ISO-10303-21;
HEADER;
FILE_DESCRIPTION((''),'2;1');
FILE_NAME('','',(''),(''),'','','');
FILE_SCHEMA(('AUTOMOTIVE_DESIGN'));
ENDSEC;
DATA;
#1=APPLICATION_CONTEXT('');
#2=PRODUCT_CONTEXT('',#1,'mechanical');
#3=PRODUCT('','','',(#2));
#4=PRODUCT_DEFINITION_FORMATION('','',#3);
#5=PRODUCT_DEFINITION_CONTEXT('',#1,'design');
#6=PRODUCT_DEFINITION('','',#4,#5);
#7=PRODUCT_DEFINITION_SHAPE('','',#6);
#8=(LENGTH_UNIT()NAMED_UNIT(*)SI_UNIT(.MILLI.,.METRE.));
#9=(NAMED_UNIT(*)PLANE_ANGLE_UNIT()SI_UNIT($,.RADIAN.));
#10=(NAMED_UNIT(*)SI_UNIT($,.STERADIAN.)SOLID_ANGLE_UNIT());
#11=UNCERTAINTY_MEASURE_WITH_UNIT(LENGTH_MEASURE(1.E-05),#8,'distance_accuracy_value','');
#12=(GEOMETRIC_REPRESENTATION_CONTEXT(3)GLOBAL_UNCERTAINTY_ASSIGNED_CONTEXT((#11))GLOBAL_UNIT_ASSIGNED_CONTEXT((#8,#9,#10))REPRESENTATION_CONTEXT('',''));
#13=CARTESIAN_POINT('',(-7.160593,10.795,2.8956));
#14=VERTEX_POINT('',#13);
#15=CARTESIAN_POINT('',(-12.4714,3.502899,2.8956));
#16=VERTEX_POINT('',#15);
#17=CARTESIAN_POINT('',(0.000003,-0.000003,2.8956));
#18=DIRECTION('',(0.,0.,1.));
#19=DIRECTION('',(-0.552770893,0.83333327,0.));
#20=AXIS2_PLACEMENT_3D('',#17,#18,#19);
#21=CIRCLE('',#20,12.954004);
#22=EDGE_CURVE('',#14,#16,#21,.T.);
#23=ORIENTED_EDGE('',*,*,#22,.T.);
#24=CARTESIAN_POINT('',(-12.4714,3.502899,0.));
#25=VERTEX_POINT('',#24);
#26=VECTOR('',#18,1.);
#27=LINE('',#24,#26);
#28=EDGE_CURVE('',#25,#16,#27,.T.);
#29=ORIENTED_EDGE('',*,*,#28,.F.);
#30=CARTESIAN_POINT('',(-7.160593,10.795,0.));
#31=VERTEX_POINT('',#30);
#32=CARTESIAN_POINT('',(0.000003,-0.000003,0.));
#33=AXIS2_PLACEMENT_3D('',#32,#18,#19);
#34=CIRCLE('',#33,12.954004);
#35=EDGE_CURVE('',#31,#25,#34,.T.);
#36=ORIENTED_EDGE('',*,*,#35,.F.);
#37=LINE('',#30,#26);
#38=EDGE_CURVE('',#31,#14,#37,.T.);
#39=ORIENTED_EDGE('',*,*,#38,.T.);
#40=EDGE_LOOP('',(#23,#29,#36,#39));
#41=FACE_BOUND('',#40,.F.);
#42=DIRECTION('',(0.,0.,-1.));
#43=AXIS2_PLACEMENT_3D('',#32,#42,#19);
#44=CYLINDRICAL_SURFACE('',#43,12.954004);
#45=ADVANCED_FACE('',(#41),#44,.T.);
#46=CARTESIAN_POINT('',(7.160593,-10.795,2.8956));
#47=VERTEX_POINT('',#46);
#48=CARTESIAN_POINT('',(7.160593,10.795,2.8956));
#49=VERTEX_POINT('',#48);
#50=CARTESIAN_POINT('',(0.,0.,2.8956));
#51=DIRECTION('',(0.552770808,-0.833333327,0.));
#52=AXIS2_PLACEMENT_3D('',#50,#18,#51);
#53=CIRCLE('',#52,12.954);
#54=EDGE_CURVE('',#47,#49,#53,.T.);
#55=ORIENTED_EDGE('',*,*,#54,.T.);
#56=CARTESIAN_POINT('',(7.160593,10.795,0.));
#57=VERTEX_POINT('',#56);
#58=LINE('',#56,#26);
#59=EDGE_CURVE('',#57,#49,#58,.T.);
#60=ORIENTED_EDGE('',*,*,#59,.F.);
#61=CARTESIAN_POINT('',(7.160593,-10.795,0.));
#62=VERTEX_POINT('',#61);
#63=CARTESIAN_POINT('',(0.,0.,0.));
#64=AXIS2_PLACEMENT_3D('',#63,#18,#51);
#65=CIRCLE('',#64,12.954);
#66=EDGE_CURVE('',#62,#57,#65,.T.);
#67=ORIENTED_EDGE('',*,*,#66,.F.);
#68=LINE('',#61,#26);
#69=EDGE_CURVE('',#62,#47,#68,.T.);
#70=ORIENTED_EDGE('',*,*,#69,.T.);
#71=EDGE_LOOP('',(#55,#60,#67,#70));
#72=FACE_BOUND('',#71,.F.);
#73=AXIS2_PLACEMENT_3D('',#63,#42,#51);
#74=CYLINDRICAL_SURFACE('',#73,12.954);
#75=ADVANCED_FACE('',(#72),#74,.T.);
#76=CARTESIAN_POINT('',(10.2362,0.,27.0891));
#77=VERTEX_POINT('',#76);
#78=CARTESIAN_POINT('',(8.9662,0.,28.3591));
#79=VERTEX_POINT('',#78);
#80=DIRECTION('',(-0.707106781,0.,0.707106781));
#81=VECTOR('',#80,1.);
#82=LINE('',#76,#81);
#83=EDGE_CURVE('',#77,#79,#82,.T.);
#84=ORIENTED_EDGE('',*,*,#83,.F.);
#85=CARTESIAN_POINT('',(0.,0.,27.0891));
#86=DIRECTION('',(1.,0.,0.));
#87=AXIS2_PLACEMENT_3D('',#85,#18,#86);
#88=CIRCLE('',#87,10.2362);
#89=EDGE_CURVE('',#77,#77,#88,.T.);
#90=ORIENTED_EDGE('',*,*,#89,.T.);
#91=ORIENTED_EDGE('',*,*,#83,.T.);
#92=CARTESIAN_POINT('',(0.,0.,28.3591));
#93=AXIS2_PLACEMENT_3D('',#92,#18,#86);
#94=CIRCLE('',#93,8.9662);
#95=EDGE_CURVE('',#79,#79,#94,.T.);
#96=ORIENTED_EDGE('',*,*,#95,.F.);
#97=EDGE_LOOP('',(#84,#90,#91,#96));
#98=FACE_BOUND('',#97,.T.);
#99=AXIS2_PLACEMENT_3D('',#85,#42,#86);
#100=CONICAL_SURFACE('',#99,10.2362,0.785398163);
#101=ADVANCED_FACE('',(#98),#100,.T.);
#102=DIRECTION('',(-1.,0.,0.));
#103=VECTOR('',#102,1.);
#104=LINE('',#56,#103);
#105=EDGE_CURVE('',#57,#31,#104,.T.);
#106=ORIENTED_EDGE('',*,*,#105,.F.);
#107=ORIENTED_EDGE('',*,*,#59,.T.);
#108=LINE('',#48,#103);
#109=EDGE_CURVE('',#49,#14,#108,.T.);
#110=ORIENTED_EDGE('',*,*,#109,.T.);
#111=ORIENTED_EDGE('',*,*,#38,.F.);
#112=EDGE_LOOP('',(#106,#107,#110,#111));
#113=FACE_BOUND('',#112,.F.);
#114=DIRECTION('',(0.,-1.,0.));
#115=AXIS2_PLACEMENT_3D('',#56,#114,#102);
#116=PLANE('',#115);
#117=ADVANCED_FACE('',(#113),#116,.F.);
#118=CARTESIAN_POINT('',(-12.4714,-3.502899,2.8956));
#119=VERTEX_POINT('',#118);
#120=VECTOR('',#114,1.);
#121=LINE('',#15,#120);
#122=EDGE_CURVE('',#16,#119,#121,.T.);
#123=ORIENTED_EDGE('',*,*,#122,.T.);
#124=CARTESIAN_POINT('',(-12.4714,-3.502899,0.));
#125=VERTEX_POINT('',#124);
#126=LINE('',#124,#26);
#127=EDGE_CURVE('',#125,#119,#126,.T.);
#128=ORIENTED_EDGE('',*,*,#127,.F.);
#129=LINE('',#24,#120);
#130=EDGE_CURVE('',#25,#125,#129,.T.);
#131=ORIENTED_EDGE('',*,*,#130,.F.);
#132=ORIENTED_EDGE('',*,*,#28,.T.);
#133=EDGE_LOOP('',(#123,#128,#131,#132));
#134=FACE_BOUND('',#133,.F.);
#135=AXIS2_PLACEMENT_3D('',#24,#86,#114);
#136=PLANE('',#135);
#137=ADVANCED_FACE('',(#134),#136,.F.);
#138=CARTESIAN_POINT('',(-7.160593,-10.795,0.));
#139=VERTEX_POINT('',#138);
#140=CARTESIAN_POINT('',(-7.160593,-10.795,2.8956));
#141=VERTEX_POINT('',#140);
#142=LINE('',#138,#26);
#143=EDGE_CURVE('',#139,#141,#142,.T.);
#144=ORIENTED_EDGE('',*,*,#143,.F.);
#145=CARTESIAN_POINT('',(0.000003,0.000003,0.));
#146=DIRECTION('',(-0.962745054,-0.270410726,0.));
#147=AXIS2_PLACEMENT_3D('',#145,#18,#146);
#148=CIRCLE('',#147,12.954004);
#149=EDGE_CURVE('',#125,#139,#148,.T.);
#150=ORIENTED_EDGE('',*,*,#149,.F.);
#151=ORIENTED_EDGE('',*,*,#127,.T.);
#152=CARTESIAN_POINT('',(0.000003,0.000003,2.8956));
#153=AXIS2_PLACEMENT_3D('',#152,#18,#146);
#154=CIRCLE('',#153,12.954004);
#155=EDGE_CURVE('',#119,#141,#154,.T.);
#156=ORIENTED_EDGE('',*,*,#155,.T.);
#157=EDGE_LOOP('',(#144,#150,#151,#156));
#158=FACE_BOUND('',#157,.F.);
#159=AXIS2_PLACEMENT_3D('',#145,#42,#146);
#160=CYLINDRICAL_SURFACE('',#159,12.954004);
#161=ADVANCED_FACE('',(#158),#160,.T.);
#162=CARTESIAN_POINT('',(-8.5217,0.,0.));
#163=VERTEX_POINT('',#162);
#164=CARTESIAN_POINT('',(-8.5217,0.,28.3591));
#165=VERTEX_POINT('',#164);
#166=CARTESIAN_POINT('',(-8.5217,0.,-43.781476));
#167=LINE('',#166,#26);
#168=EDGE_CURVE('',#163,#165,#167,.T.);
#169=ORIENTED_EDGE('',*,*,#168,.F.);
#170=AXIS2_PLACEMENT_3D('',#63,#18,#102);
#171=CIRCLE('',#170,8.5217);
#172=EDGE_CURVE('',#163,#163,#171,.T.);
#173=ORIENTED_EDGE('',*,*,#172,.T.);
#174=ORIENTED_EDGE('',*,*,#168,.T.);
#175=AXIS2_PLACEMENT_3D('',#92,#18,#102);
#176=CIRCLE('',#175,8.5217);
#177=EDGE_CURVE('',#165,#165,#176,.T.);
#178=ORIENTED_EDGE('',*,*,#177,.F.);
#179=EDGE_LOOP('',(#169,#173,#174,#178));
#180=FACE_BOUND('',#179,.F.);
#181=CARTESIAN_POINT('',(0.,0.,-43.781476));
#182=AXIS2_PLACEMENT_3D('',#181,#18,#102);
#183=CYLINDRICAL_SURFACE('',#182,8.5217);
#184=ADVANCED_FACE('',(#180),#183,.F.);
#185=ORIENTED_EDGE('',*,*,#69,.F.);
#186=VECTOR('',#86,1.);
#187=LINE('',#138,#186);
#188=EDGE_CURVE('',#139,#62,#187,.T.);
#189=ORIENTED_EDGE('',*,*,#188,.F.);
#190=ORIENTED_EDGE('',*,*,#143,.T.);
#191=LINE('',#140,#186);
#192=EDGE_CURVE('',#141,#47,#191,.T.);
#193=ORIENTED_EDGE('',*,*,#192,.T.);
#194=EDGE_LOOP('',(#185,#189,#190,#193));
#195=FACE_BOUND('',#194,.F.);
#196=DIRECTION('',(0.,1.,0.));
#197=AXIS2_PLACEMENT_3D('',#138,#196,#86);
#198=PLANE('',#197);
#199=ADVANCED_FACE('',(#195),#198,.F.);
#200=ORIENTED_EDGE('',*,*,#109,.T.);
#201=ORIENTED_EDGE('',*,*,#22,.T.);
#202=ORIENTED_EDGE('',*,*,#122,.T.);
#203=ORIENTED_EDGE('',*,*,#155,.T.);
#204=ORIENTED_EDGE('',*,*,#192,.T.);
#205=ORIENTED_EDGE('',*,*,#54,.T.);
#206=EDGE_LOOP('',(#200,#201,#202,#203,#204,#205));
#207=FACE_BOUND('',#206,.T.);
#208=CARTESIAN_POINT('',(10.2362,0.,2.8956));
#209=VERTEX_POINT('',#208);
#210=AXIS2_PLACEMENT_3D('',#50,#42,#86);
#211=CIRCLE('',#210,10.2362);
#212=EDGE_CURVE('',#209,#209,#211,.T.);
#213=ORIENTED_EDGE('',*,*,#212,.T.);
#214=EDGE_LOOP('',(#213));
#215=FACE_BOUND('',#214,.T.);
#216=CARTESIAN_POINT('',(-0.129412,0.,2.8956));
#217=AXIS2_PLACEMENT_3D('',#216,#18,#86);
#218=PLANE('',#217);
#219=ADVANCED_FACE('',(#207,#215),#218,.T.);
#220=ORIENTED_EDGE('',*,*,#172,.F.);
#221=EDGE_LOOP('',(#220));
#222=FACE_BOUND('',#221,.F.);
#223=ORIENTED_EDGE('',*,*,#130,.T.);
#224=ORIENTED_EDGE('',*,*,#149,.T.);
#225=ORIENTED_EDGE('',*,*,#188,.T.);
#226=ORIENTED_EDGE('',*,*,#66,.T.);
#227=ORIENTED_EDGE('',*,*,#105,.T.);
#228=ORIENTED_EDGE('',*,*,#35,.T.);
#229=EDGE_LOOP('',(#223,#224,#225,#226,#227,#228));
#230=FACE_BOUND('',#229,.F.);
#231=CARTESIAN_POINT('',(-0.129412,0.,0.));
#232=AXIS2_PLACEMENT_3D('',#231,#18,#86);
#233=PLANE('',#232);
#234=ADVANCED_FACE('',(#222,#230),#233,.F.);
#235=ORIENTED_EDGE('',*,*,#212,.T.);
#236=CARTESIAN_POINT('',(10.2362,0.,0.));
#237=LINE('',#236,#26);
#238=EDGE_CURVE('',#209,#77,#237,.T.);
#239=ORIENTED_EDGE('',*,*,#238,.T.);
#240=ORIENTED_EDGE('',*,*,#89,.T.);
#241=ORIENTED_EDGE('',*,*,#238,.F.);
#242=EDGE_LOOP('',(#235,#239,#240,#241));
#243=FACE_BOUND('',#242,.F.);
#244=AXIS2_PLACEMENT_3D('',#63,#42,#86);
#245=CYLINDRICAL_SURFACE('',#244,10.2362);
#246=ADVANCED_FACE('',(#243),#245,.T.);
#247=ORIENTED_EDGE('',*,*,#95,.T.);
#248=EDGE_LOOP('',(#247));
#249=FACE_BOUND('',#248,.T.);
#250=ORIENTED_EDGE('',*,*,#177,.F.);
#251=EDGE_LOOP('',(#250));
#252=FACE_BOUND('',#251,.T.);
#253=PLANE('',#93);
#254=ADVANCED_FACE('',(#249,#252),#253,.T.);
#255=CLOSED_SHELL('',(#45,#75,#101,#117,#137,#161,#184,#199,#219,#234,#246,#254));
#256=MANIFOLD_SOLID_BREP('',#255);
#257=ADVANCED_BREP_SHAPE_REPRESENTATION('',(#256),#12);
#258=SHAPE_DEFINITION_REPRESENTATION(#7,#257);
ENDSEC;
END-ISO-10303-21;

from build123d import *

# Parameters (mm, degrees)
F0_R     = 10.2362
F0_R_2   = 8.51027
F1_DEPTH = 28.3591
F3_DEPTH = 2.8956
F5_D     = 17.0434
F6_SIZE  = 1.27


with BuildPart() as f1:
    # F0 (on Top) → F1 (new body)
    with BuildSketch(Plane.XY):
        Circle(F0_R)
        Circle(F0_R_2, mode=Mode.SUBTRACT)
    extrude(amount=F1_DEPTH)

    # F2 (on Top) → F3 (join)
    with BuildSketch(Plane.XY):
        with BuildLine():
            Line((-7.160593, -10.795), (7.160593, -10.795))
            ThreePointArc((7.160593, -10.795), (12.954, 0), (7.160593, 10.795))
            Line((7.160593, 10.795), (-7.160593, 10.795))
            ThreePointArc((-7.160593, 10.795), (-10.471269, 7.626181), (-12.4714, 3.502899))
            Line((-12.4714, 3.502899), (-12.4714, -3.502899))
            ThreePointArc((-12.4714, -3.502899), (-10.471269, -7.626181), (-7.160593, -10.795))
        make_face()
    extrude(amount=F3_DEPTH)

    # F5 (through all)
    with Locations(Plane(origin=(0, 0, 0), x_dir=(1, 0, 0), z_dir=(0, 0, -1))):
        with Locations((0, 0)):
            Hole(F5_D / 2)

    # F6
    f6_edges = [f1.edges().sort_by_distance(p)[0] for p in [
        (-10.2362, 0, 28.3591),
    ]]
    chamfer(f6_edges, length=F6_SIZE)


solid = f1.part
